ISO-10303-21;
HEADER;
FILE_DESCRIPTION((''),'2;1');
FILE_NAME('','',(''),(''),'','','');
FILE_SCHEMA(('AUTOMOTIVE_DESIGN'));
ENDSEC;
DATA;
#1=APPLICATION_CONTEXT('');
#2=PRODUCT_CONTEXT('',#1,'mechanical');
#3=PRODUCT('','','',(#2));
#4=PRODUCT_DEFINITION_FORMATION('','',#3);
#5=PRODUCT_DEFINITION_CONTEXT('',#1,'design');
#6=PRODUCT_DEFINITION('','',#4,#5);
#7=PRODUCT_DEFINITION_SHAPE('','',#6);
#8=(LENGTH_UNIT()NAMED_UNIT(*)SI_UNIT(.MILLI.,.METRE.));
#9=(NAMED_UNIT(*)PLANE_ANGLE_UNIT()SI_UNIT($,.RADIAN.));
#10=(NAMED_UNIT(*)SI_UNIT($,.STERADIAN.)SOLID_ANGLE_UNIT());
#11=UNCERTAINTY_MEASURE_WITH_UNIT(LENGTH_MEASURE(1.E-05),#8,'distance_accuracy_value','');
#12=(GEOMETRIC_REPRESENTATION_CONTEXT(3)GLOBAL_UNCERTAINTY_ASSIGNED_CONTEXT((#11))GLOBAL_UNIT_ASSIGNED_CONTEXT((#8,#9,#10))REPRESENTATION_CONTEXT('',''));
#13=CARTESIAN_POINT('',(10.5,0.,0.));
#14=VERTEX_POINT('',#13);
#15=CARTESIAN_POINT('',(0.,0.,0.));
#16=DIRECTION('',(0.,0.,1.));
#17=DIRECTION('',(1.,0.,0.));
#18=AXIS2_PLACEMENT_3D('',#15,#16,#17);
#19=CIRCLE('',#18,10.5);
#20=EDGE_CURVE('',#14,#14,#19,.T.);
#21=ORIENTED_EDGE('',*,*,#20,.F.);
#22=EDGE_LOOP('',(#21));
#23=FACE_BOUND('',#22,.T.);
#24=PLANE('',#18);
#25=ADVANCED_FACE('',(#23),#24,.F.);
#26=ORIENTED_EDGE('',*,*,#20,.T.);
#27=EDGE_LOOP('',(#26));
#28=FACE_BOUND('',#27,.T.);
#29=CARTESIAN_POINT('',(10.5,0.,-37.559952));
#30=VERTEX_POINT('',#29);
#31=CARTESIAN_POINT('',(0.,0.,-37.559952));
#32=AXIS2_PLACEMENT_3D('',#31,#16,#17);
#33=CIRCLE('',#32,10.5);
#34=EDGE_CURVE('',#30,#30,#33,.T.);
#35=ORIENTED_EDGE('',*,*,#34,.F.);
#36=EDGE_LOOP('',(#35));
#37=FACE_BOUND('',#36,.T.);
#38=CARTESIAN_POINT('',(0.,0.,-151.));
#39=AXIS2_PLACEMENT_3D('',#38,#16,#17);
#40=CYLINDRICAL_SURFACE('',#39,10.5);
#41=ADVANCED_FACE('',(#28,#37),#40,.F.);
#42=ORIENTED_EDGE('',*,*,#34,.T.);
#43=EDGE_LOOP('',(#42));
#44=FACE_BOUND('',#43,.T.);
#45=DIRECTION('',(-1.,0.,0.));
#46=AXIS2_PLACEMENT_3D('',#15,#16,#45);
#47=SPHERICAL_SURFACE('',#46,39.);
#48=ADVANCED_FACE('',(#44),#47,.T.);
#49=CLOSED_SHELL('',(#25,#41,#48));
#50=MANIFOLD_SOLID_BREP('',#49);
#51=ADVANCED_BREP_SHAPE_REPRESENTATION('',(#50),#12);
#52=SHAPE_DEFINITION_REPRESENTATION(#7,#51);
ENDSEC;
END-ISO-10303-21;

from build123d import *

# Parameters (mm, degrees)
SKETCH2_R          = 10.5
CUT_EXTRUDE1_DEPTH = 151


with BuildPart() as part:
    # Sketch1 → Revolve1 (revolve)
    with BuildSketch(Plane(origin=(0, 0, 0), x_dir=(1, 0, 0), z_dir=(0, 1, 0))):
        with BuildLine():
            Line((0, -39), (0, 39))
            ThreePointArc((0, 39), (-39, 0), (0, -39))
        make_face()
    revolve(axis=Axis((0, 0, 39), (0, 0, -1)))

    # Sketch2 → Cut-Extrude1 (cut)
    with BuildSketch(Plane.XY):
        Circle(SKETCH2_R)
    extrude(amount=-CUT_EXTRUDE1_DEPTH, mode=Mode.SUBTRACT)


solid = part.part
